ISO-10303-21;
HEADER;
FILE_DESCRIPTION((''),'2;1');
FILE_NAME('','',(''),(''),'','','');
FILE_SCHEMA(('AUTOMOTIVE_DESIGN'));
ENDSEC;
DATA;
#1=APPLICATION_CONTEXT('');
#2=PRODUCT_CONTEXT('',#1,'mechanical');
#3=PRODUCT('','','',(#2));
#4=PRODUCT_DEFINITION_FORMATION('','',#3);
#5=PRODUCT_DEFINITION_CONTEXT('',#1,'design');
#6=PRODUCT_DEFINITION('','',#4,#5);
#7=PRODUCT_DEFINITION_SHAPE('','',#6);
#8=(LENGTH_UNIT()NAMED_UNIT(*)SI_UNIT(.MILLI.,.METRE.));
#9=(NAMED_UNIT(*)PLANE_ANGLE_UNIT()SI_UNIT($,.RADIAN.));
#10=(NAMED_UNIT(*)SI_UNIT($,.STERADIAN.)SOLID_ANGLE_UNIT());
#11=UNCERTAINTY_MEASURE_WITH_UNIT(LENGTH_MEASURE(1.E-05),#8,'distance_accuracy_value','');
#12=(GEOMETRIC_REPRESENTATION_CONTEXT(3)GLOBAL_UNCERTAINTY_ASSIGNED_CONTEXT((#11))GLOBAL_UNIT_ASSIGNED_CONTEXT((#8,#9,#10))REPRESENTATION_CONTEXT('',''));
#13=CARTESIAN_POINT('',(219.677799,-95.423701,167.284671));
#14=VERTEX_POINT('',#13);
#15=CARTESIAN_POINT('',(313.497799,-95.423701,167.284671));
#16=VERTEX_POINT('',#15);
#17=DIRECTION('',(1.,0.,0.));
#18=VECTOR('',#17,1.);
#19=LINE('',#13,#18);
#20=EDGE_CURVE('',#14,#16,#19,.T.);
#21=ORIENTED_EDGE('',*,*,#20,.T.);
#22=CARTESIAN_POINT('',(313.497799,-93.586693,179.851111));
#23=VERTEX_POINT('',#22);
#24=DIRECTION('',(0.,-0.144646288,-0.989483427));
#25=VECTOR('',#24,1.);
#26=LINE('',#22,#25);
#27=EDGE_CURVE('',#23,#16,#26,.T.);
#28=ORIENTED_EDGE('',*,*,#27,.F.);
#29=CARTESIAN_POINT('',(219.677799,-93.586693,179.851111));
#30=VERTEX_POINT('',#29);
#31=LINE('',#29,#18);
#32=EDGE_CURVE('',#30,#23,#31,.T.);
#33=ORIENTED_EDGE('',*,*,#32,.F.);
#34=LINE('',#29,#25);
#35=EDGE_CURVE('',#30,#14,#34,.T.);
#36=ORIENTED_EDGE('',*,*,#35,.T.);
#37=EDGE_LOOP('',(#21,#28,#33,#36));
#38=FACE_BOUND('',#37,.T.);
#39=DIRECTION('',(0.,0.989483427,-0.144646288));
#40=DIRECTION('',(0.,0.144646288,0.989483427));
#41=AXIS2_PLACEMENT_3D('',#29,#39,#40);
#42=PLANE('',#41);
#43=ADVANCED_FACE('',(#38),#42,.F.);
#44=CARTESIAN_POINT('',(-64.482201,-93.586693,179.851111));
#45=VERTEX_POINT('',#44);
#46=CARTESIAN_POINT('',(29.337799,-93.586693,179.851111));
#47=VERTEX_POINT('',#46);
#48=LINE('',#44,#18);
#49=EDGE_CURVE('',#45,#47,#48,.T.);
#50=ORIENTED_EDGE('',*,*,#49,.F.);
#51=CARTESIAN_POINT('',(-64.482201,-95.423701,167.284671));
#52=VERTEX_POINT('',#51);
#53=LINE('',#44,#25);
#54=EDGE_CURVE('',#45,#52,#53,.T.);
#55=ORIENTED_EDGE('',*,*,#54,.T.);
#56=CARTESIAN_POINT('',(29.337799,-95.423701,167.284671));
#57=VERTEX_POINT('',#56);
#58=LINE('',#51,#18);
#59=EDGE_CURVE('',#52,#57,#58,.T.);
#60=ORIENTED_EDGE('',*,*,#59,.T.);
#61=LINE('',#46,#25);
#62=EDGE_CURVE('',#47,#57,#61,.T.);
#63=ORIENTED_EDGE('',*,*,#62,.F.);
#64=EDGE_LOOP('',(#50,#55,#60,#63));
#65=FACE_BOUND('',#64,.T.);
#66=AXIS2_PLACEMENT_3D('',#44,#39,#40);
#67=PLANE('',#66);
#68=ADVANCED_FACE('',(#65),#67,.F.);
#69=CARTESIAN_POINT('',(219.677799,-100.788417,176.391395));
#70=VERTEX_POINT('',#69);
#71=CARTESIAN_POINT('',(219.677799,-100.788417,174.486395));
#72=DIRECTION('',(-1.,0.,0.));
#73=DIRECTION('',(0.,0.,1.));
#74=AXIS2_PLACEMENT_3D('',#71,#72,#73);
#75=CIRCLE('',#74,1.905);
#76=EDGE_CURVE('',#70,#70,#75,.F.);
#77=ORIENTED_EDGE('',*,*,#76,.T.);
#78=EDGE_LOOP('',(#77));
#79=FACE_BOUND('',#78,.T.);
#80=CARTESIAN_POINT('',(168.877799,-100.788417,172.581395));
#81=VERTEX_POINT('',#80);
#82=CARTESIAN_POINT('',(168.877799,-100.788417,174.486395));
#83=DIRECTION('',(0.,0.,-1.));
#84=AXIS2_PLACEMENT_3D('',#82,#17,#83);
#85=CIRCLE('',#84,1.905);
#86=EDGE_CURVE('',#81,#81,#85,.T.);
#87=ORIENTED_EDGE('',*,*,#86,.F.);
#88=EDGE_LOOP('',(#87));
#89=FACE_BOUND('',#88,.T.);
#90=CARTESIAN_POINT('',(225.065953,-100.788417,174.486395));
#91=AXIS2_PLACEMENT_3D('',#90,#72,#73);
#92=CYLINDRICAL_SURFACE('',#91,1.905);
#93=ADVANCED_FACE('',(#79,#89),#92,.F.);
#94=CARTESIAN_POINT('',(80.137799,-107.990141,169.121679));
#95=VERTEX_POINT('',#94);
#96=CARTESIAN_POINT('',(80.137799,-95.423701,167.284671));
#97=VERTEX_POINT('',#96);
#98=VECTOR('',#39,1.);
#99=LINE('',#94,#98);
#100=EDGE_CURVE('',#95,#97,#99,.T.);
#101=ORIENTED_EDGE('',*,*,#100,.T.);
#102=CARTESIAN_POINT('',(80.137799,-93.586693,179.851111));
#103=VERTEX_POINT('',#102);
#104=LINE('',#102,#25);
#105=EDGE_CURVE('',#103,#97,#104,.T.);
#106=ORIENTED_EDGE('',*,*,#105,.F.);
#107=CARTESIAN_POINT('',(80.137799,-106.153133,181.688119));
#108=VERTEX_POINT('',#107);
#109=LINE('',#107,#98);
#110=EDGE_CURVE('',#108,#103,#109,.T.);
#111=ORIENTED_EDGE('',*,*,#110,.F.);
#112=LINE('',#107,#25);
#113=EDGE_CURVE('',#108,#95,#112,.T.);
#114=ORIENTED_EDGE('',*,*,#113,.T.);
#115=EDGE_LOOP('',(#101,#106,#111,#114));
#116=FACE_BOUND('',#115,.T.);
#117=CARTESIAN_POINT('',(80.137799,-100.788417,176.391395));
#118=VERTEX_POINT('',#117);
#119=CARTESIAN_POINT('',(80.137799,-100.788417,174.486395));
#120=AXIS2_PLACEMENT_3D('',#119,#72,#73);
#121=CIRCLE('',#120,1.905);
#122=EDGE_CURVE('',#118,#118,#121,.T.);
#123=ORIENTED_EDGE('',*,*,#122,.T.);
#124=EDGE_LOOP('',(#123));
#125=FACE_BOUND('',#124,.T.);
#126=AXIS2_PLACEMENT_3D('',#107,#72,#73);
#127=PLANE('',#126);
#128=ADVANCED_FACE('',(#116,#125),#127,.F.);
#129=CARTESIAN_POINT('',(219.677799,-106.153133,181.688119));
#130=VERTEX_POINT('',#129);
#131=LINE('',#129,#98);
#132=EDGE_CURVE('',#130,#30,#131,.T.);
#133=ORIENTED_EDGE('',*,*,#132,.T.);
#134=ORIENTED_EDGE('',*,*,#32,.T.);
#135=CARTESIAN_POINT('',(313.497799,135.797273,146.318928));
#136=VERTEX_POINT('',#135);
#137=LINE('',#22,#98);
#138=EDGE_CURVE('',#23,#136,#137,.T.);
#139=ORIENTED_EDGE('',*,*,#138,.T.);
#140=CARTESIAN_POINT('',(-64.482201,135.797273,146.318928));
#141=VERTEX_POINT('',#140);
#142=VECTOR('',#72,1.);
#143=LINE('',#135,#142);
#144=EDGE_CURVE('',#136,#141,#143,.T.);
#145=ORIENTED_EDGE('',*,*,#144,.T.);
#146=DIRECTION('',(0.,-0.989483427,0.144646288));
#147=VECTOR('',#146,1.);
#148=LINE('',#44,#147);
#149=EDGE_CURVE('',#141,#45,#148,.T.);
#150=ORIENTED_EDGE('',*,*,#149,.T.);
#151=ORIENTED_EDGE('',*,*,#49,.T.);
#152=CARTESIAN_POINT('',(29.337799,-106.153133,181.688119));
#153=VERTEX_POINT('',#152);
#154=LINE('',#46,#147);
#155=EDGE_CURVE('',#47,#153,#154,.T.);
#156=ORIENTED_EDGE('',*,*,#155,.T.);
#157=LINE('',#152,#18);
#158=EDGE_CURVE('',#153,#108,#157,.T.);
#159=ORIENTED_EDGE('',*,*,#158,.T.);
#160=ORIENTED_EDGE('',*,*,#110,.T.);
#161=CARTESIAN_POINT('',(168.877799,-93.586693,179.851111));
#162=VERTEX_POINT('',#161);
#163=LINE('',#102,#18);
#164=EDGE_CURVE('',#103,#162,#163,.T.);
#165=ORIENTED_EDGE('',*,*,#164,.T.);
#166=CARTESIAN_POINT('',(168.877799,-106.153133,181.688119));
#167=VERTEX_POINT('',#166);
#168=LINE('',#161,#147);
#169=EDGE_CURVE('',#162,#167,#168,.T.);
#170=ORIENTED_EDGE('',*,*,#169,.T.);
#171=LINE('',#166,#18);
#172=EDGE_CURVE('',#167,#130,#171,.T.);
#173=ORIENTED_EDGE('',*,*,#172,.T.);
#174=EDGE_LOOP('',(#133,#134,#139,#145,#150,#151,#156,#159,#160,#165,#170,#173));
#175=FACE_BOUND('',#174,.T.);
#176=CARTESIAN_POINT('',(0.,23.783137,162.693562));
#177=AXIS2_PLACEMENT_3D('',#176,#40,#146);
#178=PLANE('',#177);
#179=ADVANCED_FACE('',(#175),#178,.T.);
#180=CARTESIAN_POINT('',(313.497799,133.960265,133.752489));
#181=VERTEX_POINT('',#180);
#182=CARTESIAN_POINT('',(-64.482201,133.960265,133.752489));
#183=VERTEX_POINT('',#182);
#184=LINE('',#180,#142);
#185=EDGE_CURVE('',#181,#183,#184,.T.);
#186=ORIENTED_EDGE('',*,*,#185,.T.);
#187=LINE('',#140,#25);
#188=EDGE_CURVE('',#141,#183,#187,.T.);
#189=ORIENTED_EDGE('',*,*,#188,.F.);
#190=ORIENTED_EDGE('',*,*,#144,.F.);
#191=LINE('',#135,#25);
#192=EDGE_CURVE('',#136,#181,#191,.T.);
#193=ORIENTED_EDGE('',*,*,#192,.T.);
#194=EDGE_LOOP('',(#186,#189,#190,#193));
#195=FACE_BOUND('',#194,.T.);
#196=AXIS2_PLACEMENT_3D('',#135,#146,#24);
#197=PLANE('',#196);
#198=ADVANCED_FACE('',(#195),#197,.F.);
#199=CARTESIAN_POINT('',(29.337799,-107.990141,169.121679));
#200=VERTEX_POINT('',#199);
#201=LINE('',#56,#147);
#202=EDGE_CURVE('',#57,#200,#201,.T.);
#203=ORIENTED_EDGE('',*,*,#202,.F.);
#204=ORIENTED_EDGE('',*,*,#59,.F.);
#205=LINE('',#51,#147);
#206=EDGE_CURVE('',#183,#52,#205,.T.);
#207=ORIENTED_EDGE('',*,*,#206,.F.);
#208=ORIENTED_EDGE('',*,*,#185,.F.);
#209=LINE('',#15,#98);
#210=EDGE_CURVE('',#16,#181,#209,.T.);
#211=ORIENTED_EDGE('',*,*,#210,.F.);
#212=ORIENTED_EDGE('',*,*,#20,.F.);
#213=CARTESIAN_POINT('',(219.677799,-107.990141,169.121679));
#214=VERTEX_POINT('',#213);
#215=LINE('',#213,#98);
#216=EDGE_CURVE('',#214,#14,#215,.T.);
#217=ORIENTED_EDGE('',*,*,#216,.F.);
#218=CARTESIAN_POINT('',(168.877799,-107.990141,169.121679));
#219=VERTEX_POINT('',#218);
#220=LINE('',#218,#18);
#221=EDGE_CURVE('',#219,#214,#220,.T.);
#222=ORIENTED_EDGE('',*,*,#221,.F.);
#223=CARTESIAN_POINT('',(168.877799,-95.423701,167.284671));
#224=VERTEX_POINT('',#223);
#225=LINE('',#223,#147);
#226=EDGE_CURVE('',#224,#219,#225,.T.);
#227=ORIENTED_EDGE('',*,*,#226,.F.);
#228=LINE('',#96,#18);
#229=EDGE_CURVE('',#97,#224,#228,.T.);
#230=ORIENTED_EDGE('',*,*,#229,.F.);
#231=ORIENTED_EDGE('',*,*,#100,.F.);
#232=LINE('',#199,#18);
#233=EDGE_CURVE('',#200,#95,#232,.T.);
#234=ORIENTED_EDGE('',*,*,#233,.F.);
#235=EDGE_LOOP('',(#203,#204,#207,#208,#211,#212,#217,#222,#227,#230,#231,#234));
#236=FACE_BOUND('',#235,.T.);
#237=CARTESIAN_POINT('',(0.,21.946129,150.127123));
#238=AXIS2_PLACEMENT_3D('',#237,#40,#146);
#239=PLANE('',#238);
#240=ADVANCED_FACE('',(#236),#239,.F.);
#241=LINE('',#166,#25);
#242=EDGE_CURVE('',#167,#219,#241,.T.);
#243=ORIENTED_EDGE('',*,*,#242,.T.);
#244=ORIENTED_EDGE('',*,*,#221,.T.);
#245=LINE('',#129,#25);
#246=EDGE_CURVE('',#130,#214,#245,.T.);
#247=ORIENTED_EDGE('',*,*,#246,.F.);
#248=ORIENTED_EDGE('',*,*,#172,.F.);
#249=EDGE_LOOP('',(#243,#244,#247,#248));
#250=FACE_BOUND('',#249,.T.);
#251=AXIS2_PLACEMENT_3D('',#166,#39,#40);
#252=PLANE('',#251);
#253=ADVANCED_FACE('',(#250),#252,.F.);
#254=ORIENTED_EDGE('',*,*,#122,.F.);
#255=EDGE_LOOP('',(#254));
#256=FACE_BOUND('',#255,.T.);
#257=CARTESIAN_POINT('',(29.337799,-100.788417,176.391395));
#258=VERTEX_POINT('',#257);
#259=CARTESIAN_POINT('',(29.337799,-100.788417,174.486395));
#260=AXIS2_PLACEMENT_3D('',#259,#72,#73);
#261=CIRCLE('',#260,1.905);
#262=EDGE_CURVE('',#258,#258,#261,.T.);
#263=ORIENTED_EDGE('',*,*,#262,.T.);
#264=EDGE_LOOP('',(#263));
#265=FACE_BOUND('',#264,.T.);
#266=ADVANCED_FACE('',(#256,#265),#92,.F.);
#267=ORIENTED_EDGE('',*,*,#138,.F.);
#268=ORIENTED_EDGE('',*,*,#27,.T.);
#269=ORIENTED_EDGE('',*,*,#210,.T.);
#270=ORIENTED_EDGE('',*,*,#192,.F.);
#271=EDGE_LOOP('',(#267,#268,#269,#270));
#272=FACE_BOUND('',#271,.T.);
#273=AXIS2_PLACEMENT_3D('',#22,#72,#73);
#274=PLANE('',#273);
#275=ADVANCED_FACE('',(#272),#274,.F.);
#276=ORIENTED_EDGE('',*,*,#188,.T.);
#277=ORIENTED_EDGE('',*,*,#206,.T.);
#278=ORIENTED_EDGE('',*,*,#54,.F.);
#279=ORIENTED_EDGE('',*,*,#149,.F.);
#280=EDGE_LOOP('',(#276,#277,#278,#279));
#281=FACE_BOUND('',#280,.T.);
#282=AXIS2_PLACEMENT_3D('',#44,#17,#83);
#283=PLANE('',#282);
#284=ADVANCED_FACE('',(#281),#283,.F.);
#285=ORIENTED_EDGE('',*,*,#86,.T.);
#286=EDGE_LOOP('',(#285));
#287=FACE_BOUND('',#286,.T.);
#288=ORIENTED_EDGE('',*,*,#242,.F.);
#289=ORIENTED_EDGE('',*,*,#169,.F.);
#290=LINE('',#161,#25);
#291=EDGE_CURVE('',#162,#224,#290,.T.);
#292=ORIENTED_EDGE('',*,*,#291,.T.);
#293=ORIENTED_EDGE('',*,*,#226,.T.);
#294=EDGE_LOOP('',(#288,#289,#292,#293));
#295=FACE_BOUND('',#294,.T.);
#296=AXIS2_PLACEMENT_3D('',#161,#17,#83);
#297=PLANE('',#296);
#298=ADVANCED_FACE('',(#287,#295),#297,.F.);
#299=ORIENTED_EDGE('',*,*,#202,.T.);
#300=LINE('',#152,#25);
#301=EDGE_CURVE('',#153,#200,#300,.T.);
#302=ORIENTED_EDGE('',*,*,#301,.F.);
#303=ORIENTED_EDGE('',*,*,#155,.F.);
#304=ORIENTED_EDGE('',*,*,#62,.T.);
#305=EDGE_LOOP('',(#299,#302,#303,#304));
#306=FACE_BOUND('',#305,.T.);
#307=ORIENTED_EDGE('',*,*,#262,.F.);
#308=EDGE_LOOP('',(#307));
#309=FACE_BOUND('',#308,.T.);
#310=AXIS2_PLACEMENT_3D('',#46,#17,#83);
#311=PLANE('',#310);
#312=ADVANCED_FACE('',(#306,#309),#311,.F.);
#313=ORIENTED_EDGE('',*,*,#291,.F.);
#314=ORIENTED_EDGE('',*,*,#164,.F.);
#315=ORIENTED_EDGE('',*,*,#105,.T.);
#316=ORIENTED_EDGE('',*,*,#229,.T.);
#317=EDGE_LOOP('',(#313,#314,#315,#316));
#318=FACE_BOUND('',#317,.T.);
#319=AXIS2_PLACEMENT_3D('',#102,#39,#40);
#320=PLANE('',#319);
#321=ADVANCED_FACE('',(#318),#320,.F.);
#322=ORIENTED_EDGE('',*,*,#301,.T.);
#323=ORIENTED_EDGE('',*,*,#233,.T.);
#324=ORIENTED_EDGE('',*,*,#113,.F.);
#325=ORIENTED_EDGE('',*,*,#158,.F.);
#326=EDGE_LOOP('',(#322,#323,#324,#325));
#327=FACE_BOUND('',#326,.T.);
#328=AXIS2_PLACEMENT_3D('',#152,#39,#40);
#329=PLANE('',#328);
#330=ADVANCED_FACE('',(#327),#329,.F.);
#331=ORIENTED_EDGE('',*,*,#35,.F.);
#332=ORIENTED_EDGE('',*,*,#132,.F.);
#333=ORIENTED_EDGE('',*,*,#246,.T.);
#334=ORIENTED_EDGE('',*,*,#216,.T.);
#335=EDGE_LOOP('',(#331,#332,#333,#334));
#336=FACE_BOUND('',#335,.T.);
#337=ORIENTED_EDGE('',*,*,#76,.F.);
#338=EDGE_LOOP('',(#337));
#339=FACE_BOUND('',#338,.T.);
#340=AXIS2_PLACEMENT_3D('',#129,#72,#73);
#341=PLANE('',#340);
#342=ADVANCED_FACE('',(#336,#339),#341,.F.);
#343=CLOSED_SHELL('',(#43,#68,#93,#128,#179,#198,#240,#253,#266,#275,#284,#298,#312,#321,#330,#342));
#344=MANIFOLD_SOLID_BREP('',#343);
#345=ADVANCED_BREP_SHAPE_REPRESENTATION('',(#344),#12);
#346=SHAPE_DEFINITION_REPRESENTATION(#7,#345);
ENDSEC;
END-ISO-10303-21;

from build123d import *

# Parameters (mm, degrees)
BOSS_EXTRUDE1_DEPTH = 12.7
SKETCH3_R           = 1.904999998
CUT_EXTRUDE1_DEPTH  = 190.34


with BuildPart() as part:
    # Sketch1 → Boss-Extrude1 (new body)
    with BuildSketch(Plane(origin=(0, 21.945100429, 150.12727292), x_dir=(1, 0, 0), z_dir=(0, 0.144646288, 0.989483427))):
        Polygon((-64.482200742, -118.616237813), (29.337799258, -118.616237813), (29.337799258, -131.316237813), (80.137799258, -131.316237813), (80.137799258, -118.616237813), (168.877799258, -118.616237813), (168.877799258, -131.316237813), (219.677799258, -131.316237813), (219.677799258, -118.616237813), (313.497799258, -118.616237813), (313.497799258, 113.205700995), (-64.482200742, 113.205700995), align=None)
    extrude(amount=BOSS_EXTRUDE1_DEPTH)

    # Sketch3 → Cut-Extrude1 (cut)
    with BuildSketch(Plane.ZY.offset(-29.337799258)):
        with Locations((174.48639509, -100.788416836)):
            Circle(SKETCH3_R)
    extrude(amount=-CUT_EXTRUDE1_DEPTH, mode=Mode.SUBTRACT)


solid = part.part
